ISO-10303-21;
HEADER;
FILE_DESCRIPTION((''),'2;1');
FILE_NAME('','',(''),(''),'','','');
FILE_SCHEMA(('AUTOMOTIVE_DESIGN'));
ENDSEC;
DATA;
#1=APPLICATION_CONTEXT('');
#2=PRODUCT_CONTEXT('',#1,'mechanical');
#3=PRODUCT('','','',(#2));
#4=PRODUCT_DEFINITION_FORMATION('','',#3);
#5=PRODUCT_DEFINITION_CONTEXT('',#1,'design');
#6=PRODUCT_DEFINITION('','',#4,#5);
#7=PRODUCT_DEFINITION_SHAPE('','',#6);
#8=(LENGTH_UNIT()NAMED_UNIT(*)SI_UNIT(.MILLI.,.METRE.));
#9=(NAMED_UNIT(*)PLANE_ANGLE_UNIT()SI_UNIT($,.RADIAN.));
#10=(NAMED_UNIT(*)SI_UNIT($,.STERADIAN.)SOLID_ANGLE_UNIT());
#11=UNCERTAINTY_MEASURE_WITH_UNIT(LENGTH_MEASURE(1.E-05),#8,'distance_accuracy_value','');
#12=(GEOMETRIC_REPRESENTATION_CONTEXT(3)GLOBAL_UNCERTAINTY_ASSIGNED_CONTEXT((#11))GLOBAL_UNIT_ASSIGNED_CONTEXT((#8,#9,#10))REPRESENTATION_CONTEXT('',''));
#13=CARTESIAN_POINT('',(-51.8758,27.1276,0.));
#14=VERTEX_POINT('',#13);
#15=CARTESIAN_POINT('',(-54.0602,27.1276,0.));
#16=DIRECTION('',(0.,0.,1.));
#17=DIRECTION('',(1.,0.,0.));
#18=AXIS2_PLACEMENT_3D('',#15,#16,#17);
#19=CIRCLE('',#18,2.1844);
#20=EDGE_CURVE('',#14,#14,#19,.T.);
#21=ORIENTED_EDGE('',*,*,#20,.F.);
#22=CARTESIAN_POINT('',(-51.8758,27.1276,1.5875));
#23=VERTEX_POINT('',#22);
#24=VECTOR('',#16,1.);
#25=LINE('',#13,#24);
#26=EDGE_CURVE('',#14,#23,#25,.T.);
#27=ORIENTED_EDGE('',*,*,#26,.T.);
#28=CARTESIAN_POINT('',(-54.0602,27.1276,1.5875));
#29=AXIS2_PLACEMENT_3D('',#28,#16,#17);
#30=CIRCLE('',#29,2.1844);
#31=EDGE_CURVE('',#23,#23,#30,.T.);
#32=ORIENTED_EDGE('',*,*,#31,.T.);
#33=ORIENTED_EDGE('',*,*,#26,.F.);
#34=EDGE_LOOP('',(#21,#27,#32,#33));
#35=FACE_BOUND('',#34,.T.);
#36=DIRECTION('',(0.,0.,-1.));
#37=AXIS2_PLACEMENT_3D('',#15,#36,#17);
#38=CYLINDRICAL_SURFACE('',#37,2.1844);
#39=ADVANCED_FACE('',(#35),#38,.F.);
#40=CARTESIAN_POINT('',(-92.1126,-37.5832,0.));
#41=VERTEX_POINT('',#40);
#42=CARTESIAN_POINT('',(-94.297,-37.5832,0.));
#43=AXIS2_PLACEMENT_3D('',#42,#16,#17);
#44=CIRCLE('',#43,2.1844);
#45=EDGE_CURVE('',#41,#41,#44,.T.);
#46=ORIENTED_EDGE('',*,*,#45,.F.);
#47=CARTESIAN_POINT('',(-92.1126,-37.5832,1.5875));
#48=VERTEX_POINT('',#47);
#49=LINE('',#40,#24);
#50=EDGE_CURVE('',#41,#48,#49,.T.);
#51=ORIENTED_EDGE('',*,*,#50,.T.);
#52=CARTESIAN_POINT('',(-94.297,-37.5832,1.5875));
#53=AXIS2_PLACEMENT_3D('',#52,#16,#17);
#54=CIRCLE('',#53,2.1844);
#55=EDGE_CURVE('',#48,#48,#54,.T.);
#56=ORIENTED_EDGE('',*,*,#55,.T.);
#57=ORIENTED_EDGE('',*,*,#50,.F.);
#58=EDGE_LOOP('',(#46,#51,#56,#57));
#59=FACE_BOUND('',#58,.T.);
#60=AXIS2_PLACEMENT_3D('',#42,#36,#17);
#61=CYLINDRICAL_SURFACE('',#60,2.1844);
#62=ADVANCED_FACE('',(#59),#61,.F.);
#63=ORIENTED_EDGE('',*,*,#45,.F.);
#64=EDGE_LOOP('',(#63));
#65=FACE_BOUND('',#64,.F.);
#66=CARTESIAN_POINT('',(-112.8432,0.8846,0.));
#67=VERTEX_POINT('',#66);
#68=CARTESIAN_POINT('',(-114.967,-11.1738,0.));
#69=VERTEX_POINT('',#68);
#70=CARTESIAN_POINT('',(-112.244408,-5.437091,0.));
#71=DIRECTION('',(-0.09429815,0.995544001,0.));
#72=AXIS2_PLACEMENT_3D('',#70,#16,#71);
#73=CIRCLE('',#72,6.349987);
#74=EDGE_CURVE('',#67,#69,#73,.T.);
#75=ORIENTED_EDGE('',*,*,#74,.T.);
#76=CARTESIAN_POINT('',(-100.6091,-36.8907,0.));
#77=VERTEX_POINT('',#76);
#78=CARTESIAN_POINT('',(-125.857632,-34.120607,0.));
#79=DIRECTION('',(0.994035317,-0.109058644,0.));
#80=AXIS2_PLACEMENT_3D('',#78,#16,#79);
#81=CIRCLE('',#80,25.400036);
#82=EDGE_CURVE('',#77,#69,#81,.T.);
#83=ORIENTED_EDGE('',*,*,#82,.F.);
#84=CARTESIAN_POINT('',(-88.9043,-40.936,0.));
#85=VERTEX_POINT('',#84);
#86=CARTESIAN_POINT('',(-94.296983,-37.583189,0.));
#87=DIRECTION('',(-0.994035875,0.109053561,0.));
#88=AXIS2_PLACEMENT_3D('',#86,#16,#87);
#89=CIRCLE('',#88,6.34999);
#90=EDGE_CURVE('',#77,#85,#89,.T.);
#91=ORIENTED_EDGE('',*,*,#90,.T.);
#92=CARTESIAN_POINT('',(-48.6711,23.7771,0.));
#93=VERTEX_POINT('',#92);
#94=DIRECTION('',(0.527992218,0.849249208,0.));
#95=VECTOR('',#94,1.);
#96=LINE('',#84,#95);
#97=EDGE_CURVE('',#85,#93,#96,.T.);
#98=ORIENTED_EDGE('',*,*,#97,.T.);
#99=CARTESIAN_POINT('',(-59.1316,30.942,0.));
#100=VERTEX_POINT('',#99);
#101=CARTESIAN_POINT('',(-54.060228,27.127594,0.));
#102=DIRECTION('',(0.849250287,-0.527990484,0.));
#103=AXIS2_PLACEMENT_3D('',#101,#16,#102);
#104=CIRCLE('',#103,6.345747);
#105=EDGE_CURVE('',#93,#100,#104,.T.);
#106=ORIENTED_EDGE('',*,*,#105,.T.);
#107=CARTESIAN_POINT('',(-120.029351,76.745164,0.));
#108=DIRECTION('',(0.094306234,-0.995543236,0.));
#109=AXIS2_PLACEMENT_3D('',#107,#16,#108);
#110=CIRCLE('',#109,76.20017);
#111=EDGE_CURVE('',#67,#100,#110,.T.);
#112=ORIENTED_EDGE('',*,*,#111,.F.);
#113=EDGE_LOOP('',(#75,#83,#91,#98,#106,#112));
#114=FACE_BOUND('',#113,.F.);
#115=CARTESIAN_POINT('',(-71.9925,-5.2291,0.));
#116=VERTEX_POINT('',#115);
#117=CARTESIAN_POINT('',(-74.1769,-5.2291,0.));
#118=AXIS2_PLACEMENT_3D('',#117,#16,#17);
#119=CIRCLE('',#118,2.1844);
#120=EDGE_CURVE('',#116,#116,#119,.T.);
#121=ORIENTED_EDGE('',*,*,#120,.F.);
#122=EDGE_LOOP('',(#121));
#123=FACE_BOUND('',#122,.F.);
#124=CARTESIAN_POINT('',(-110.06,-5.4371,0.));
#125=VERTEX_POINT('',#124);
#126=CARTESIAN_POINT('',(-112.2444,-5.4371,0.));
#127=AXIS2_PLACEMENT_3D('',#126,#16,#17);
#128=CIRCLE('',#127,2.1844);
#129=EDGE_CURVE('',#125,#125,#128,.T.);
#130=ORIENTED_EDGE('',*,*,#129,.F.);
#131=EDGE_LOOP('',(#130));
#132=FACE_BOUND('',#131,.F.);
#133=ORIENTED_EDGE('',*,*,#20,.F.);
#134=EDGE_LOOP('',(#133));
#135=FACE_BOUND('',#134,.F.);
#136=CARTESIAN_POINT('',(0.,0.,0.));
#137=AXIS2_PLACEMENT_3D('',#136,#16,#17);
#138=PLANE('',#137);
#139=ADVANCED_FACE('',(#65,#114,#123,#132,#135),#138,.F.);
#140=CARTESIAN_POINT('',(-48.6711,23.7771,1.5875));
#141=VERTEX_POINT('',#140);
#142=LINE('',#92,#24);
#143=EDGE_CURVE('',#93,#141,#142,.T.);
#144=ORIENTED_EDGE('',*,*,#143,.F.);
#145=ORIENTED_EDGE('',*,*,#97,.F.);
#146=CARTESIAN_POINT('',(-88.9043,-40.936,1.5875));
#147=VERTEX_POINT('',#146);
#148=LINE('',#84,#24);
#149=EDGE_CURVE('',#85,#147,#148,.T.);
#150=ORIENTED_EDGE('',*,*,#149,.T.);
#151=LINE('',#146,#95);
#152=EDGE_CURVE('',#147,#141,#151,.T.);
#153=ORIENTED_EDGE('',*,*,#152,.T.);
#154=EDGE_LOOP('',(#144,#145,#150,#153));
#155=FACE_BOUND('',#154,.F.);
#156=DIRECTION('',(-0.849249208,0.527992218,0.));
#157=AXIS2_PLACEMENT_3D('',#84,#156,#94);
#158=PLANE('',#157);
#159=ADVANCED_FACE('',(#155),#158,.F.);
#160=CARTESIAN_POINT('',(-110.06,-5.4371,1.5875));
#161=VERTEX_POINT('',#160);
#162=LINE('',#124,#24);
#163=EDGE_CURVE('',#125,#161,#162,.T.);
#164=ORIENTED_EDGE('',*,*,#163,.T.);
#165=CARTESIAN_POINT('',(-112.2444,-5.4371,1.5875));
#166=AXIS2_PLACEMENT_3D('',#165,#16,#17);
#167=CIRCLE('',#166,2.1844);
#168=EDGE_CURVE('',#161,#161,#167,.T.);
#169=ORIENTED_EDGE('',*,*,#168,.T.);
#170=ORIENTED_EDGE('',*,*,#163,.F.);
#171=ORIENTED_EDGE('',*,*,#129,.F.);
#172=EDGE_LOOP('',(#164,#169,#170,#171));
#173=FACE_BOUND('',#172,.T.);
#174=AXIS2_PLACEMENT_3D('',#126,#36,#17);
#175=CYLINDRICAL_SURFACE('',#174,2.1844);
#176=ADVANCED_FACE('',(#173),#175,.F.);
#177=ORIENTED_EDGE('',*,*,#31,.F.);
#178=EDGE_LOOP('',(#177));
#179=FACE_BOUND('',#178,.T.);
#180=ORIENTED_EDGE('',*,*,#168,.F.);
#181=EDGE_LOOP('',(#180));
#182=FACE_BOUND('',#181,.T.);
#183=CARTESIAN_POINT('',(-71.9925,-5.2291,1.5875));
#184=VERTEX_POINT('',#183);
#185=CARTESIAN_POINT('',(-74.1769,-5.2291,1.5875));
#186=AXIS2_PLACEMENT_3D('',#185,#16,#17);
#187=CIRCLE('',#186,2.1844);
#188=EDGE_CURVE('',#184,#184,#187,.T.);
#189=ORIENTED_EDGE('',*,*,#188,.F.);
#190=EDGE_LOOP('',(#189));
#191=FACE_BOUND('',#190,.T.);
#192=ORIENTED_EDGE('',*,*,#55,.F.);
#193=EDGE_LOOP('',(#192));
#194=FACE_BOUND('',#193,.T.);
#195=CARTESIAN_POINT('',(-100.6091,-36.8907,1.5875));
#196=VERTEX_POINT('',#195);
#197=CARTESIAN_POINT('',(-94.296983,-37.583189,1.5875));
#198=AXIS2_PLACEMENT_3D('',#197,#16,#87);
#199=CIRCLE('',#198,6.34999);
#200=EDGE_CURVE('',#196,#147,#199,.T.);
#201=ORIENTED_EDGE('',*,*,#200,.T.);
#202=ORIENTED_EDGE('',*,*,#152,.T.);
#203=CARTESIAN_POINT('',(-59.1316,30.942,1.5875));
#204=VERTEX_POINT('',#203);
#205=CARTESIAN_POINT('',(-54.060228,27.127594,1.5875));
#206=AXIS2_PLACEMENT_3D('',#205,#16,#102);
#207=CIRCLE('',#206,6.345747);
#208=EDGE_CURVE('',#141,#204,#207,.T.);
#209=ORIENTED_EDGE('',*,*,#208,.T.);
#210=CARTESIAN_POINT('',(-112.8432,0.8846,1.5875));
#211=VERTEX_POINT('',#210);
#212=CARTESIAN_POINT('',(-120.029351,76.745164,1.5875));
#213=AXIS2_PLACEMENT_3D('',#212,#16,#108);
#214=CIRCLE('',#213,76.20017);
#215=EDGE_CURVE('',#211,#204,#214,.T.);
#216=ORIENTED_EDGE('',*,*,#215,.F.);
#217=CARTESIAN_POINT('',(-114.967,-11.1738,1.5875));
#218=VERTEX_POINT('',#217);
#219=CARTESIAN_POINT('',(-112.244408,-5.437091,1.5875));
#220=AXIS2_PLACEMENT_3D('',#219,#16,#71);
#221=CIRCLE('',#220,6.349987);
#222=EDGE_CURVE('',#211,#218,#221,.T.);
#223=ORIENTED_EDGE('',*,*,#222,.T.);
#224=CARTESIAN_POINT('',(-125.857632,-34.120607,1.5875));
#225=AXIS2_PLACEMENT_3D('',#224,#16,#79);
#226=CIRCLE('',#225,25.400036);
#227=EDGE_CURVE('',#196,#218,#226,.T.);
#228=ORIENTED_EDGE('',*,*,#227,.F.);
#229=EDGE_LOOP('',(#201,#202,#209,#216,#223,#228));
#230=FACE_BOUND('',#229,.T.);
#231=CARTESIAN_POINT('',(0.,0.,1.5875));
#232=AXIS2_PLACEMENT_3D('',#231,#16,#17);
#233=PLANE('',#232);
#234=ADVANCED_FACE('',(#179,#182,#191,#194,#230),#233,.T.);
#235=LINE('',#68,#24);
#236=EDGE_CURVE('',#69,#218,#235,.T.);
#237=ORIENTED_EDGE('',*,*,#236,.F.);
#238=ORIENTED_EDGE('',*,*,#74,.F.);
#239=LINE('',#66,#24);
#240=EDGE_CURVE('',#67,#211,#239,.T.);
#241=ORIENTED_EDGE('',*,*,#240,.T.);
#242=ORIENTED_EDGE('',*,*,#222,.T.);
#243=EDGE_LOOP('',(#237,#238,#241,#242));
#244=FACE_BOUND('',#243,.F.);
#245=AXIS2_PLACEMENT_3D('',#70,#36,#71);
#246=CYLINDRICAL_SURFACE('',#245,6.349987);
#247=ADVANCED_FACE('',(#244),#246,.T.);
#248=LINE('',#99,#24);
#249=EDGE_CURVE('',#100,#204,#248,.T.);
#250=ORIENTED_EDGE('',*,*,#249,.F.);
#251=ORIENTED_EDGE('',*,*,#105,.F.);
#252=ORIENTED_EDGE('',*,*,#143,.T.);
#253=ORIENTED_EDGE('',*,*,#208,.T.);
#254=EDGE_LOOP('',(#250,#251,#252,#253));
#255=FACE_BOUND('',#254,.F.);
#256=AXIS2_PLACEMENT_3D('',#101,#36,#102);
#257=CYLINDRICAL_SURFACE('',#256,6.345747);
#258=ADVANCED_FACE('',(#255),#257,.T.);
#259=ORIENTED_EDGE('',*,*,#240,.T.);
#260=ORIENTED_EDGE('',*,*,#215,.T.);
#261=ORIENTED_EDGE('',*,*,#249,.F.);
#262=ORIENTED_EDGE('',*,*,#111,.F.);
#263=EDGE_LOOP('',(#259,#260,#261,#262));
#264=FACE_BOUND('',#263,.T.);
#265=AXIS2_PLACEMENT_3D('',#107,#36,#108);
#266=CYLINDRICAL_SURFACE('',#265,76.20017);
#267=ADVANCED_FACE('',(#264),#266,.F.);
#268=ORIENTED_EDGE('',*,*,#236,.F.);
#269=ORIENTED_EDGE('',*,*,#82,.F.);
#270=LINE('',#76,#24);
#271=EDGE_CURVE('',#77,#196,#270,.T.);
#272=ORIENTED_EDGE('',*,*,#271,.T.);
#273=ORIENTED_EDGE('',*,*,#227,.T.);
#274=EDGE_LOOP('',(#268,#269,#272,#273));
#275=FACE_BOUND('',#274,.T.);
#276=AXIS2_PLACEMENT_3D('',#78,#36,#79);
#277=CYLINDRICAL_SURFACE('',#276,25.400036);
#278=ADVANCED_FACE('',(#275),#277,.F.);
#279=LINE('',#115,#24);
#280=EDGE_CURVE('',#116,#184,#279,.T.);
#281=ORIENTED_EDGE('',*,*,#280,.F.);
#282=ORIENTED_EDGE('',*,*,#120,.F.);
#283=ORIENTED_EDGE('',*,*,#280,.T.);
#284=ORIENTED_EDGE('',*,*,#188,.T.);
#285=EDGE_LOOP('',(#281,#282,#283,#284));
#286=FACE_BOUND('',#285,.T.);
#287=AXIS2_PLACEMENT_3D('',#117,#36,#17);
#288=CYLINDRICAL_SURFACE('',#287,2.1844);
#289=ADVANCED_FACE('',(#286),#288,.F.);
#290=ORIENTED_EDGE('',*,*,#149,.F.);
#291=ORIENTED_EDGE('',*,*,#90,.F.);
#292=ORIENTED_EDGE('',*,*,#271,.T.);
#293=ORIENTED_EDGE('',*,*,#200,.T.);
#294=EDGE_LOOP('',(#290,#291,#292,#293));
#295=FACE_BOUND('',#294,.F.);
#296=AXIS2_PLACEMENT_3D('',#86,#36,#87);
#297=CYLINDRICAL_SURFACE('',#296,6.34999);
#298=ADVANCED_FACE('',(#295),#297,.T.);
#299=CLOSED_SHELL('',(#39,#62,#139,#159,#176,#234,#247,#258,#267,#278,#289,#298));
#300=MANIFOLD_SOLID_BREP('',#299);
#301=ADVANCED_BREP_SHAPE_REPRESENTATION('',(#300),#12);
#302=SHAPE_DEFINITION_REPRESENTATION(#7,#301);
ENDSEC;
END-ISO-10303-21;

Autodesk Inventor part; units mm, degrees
ref_plane "YZ Plane" through (0, 0, 0) normal (1, 0, 0) x (0, 1, 0)
ref_plane "XZ Plane" through (0, 0, 0) normal (0, 1, 0) x (-1, 0, 0)
ref_plane "XY Plane" through (0, 0, 0) normal (0, 0, 1) x (1, 0, 0)
sketch "Sketch1" plane through (0, 0, 0) normal (0, 0, 1) x (1, 0, 0)
  circle A0 centre (-74.1769, -5.2291) radius 2.1844
  circle A1 centre (-112.2444, -5.4371) radius 2.1844
  circle A2 centre (-94.297, -37.5832) radius 2.1844
  circle A3 centre (-54.0602, 27.1276) radius 2.1844
  arc A4 (-100.6091, -36.8907) -> (-114.967, -11.1738) centre (-125.8576, -34.1206) ccw
  arc A5 (-112.8432, 0.8846) -> (-59.1316, 30.942) centre (-120.0293, 76.745) ccw
  arc A6 (-112.8432, 0.8846) -> (-114.967, -11.1738) centre (-112.2444, -5.4371) ccw
  line L0 (-88.9043, -40.936) -> (-48.6711, 23.7771)
  arc A7 (-48.6711, 23.7771) -> (-59.1316, 30.942) centre (-54.0602, 27.1276) ccw
  arc A8 (-100.6091, -36.8907) -> (-88.9043, -40.936) centre (-94.297, -37.5832) ccw
  dimension "d6" = 25.4
  dimension "d8" = 76.2
extrude "Extrusion3" add sketch "Sketch1" along normal blind 1.5875
properties part number "Side Poly"
